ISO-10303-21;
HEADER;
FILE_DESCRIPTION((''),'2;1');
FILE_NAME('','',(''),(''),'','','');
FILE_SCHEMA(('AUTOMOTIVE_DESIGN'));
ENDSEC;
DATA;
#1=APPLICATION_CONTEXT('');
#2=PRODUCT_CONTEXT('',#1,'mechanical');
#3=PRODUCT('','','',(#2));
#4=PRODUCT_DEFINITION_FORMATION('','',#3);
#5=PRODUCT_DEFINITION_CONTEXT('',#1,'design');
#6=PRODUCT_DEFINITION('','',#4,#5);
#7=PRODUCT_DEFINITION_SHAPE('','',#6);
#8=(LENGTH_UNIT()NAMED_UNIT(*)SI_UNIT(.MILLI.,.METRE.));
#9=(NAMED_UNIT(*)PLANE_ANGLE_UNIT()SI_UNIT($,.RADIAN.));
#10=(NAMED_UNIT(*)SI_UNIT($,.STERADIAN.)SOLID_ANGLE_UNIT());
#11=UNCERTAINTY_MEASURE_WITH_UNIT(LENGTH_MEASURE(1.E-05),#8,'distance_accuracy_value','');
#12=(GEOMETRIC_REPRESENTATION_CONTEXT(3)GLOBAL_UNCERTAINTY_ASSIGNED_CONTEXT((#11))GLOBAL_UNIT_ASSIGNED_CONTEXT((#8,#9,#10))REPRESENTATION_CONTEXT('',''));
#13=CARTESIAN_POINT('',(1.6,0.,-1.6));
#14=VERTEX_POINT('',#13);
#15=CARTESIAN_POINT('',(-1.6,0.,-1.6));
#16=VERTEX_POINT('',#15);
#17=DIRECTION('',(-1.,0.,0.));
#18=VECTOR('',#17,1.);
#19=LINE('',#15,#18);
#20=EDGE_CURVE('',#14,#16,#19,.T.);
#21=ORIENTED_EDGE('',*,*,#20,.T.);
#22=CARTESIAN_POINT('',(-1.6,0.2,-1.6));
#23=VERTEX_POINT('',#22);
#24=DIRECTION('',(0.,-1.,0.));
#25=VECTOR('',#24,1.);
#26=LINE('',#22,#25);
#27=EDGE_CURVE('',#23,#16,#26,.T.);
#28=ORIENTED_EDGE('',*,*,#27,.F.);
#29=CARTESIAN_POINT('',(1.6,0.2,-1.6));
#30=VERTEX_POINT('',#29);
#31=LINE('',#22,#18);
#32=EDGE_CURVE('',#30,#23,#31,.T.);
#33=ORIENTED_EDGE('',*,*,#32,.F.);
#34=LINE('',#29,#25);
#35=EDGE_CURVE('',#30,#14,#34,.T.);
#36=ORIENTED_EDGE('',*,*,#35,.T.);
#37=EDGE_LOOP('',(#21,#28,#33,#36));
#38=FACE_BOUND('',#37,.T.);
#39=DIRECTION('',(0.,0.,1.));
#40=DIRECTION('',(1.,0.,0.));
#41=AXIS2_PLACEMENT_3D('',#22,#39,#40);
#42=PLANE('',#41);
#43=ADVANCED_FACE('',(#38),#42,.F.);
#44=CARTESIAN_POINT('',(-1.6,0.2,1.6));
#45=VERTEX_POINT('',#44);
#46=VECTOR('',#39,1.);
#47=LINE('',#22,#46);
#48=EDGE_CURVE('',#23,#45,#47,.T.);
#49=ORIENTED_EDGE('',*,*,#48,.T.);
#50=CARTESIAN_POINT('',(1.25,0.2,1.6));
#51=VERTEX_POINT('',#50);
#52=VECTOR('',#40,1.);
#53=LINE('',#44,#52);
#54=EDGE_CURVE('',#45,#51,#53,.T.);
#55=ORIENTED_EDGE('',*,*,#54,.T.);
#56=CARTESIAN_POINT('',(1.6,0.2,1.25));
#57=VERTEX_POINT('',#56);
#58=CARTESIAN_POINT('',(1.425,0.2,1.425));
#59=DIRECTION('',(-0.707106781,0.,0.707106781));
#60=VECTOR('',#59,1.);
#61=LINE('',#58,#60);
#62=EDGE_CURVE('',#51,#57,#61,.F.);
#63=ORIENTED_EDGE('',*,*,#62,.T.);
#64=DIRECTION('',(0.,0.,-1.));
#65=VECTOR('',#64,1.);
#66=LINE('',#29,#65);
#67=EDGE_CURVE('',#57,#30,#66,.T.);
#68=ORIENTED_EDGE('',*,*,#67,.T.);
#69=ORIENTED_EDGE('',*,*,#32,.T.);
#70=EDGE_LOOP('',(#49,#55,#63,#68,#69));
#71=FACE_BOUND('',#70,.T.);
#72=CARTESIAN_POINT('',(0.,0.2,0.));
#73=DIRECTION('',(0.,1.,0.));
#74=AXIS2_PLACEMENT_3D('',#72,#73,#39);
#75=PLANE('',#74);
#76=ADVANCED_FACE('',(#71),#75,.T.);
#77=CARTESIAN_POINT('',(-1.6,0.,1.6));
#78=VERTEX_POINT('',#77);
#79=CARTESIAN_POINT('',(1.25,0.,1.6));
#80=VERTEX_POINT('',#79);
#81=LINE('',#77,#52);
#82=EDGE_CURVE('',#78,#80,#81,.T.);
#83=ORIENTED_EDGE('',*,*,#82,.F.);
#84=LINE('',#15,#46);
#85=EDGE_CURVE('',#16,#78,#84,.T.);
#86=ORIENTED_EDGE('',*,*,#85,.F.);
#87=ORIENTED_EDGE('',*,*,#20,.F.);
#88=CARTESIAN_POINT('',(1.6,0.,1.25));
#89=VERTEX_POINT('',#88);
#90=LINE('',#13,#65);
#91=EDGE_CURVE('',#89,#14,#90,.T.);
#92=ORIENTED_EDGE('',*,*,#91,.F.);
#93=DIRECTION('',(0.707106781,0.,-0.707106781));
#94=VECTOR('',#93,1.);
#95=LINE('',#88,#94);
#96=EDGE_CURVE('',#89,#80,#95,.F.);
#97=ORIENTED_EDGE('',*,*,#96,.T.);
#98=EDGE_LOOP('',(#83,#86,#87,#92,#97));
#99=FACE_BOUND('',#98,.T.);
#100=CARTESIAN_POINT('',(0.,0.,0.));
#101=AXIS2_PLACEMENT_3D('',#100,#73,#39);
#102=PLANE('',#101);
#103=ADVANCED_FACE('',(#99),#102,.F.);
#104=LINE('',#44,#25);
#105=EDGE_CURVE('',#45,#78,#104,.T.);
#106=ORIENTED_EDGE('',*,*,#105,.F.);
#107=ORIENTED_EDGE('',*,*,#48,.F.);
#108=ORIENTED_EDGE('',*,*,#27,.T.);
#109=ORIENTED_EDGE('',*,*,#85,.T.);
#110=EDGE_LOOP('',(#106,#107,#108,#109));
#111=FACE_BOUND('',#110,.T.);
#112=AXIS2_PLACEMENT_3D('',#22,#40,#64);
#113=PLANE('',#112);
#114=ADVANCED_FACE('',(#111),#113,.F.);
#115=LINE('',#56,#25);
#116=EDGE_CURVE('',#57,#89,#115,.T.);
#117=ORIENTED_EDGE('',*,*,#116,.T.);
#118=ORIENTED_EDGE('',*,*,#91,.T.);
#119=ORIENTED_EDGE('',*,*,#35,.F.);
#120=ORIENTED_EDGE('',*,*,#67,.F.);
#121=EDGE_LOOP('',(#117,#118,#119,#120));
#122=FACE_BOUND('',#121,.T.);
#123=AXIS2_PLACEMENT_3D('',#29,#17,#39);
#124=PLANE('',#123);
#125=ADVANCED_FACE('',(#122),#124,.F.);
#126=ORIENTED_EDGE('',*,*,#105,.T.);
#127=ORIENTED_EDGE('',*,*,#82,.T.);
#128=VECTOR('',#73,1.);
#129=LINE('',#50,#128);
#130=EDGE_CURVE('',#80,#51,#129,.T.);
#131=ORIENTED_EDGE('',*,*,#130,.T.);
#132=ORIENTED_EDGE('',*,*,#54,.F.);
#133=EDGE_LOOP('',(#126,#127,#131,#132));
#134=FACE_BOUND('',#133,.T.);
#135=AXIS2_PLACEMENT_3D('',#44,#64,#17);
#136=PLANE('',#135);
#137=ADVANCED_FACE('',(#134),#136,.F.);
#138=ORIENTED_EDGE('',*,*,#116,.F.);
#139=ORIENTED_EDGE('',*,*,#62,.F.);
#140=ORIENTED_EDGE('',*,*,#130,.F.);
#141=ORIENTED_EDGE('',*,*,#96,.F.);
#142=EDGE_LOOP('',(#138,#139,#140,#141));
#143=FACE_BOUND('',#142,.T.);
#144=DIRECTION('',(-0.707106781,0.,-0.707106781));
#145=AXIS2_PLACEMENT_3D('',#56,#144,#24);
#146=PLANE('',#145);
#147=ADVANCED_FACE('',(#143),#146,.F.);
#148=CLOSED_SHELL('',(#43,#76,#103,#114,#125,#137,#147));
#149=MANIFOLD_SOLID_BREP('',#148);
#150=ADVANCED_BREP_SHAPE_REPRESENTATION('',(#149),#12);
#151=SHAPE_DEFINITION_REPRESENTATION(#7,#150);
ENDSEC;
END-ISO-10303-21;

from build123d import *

# Parameters (mm, degrees)
SKETCH1_W           = 3.2
SKETCH1_H           = 3.2
BOSS_EXTRUDE1_DEPTH = 0.2
CHAMFER1_SIZE       = 0.35


with BuildPart() as part:
    # Sketch1 → Boss-Extrude1 (new body)
    with BuildSketch(Plane(origin=(0, 0, 0), x_dir=(1, 0, 0), z_dir=(0, 1, 0))):
        Rectangle(SKETCH1_W, SKETCH1_H)
    extrude(amount=BOSS_EXTRUDE1_DEPTH)

    # Chamfer1
    chamfer1_edges = [part.edges().sort_by_distance(p)[0] for p in [
        (1.6, 0.1, 1.6),
    ]]
    chamfer(chamfer1_edges, length=CHAMFER1_SIZE)


solid = part.part
